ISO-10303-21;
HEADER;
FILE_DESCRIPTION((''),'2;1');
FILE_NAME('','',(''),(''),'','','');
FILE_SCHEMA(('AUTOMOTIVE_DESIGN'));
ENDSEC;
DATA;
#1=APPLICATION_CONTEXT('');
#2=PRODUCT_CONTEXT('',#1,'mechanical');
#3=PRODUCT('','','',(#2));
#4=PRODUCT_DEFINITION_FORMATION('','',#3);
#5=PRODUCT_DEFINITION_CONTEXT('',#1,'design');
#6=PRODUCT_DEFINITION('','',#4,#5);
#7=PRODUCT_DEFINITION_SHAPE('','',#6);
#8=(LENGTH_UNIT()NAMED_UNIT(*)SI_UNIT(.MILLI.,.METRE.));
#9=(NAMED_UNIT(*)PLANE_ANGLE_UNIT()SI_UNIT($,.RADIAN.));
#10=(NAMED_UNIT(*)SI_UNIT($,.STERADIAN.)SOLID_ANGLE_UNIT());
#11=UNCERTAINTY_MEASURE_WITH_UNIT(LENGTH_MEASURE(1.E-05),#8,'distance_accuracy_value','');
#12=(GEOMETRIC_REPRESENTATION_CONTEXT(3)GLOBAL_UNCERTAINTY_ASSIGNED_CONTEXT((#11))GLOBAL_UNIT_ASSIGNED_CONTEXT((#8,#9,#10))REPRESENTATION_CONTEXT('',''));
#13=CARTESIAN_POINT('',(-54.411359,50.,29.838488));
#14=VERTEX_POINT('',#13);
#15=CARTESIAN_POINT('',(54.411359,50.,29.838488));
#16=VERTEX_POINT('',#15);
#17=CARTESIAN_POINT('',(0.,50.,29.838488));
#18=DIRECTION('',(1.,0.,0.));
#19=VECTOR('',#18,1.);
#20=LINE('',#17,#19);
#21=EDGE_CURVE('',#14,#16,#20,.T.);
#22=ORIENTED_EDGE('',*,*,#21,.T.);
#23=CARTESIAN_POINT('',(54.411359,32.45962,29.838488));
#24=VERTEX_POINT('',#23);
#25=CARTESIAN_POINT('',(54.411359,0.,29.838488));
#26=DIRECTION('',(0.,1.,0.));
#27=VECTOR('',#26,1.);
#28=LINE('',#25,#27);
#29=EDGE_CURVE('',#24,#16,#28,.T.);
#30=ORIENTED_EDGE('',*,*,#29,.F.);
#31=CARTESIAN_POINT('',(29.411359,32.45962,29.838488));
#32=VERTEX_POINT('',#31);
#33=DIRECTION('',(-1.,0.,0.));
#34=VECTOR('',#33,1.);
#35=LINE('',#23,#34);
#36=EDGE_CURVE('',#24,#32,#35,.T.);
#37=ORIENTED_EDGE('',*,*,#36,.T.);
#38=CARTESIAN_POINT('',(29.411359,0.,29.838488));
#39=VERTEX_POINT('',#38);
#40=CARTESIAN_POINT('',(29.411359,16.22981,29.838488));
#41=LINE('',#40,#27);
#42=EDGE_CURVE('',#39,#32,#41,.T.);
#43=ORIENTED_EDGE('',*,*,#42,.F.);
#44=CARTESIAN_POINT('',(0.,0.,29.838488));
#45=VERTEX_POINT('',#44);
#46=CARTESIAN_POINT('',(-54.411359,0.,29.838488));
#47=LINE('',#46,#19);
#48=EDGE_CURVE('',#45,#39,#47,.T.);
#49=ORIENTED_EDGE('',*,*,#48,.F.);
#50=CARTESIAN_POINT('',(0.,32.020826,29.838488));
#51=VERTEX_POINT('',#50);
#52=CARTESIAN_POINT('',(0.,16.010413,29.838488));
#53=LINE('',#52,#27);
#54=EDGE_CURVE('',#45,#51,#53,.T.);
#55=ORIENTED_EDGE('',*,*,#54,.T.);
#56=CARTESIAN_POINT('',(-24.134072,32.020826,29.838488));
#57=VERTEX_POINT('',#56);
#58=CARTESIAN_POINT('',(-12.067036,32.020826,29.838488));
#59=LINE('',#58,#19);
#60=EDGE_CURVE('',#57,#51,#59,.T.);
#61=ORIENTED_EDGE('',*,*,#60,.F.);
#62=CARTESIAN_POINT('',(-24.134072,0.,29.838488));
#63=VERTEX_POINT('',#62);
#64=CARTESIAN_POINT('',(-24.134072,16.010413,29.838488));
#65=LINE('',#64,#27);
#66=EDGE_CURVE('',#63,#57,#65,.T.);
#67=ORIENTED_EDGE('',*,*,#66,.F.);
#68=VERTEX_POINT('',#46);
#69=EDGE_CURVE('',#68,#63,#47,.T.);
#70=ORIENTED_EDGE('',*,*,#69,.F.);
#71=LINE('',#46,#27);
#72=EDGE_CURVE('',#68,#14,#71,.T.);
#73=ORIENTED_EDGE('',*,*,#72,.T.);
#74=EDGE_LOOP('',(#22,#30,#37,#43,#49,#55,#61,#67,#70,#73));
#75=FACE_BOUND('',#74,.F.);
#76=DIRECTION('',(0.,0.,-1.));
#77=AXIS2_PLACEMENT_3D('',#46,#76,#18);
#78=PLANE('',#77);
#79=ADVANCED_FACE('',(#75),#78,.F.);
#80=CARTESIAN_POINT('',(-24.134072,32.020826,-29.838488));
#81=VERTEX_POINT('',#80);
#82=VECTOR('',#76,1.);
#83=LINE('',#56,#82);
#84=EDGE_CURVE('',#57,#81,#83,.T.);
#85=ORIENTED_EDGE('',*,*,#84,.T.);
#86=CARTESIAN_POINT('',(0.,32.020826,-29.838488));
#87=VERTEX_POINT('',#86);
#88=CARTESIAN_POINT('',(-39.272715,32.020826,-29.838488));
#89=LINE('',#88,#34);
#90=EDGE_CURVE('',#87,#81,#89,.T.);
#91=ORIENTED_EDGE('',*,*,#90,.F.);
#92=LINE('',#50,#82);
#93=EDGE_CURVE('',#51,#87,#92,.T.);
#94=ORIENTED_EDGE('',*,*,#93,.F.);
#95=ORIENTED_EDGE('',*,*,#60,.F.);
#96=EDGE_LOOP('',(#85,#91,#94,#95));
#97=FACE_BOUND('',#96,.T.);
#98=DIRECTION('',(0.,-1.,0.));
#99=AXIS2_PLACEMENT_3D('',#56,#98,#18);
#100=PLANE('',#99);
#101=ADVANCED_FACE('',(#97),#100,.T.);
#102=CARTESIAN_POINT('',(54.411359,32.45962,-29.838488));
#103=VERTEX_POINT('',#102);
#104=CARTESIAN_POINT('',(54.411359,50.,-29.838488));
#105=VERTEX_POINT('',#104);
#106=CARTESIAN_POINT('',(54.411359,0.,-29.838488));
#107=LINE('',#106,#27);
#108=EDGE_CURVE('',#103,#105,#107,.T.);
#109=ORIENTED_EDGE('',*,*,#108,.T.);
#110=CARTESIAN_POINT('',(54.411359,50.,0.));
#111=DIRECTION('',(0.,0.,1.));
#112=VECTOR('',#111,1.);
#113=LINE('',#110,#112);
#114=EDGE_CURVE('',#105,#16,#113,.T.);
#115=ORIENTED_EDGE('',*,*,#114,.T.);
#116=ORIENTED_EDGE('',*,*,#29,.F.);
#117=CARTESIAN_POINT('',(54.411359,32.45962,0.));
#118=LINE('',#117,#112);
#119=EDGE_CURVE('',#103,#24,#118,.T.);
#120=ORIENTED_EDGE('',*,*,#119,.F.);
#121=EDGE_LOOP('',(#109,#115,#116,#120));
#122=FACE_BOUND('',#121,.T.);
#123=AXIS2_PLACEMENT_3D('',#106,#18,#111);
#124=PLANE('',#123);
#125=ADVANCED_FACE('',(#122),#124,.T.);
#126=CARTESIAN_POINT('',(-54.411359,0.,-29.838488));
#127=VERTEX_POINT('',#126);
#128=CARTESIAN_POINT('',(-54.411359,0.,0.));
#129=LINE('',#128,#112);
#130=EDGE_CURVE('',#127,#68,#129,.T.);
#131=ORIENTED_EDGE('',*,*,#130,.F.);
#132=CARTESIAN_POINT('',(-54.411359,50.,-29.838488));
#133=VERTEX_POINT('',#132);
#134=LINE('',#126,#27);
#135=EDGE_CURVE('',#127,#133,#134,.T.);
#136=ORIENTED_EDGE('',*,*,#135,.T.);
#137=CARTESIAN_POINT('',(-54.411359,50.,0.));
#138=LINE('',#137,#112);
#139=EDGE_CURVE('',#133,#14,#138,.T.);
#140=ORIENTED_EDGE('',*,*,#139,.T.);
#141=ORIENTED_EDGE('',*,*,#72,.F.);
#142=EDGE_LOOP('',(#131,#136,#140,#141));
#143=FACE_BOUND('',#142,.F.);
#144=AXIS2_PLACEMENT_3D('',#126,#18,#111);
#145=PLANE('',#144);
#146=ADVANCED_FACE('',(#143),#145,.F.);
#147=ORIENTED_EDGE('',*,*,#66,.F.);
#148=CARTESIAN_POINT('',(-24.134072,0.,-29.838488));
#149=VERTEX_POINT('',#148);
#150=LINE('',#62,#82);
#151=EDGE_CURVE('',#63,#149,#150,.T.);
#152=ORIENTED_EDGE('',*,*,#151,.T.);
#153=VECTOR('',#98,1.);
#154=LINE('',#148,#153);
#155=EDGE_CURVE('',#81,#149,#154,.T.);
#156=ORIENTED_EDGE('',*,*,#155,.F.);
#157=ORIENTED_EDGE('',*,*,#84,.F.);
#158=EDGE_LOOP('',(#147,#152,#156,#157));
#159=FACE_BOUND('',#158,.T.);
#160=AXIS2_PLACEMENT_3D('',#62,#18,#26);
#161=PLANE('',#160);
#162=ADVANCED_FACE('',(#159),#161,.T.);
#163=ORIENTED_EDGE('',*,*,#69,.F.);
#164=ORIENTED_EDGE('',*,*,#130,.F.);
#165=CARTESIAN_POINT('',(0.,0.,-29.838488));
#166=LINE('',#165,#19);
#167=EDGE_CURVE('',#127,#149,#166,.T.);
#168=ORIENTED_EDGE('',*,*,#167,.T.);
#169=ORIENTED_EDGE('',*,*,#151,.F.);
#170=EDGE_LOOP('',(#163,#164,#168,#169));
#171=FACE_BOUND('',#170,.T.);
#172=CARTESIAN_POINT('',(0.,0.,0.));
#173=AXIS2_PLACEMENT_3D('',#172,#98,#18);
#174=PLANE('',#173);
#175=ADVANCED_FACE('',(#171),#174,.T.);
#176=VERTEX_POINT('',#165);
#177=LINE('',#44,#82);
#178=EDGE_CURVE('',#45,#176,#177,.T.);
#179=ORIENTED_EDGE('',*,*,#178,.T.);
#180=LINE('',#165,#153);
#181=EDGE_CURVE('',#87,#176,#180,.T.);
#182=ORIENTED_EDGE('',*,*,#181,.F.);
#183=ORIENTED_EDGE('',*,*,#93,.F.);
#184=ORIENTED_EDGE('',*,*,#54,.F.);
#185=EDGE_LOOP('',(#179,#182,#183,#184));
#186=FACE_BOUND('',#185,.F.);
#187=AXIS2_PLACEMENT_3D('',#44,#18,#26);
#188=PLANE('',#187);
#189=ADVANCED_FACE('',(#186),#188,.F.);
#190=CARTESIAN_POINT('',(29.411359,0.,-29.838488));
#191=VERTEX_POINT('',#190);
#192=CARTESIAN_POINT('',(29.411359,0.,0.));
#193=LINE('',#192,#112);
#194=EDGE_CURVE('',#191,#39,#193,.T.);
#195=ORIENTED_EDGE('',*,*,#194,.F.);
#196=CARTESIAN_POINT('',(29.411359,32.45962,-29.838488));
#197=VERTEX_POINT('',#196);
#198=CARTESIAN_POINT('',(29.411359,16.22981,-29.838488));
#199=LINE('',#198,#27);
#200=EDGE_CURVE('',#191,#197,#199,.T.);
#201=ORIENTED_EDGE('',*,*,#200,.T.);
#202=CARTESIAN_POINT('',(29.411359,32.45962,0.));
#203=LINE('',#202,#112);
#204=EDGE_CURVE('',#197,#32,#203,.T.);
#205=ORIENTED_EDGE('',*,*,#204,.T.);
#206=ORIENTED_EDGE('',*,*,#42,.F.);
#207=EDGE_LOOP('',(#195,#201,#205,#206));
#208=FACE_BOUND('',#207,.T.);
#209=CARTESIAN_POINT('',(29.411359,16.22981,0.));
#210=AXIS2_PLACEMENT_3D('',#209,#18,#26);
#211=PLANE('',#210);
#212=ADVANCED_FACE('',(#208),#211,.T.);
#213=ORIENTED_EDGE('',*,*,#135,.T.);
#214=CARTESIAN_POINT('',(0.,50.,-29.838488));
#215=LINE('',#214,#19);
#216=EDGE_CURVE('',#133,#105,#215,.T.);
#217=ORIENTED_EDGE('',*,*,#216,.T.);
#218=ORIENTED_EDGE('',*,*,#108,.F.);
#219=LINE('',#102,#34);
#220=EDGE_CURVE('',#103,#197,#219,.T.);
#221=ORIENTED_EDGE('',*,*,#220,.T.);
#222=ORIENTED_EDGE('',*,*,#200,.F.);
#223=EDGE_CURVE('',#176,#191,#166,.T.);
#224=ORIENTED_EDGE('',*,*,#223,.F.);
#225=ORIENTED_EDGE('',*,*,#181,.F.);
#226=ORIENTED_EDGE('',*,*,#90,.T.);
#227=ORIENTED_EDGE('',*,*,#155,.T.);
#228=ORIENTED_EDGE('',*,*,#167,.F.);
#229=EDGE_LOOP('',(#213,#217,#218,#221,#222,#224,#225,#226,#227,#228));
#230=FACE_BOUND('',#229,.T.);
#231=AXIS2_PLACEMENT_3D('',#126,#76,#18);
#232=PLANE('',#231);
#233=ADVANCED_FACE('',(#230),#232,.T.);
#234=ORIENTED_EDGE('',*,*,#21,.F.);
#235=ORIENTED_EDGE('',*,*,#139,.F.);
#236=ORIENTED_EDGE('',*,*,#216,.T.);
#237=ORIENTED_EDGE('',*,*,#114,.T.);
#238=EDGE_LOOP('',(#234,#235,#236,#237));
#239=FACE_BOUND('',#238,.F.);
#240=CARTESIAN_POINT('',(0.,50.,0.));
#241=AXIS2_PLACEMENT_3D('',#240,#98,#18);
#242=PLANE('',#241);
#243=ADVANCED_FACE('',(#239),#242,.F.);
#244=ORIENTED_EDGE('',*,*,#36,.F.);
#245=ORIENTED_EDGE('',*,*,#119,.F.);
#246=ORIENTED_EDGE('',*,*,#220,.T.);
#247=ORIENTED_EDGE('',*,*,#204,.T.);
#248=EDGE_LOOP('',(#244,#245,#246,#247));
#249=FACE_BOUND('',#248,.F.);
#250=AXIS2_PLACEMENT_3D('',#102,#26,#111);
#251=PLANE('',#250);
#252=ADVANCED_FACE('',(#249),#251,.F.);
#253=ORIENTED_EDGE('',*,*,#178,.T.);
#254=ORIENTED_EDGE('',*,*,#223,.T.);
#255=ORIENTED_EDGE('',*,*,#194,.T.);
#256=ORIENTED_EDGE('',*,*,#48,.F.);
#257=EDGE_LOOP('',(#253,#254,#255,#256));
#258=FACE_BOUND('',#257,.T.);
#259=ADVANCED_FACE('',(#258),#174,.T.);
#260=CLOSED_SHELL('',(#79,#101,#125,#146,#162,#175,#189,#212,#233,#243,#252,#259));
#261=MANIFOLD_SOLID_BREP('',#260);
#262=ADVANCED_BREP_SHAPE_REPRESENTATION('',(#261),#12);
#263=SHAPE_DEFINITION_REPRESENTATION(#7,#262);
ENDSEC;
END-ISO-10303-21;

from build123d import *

# Parameters (mm, degrees)
F0_W     = 108.822718
F0_H     = 59.676976
F1_DEPTH = 50
F2_W     = 32.45962
F2_H     = 59.676976
F3_DEPTH = 25
F4_W     = 24.134072
F4_H     = 32.020826
F5_DEPTH = 25
F6_DEPTH = 60


with BuildPart() as f1:
    # F0 (on Front) → F1 (new body)
    with BuildSketch(Plane.XZ):
        Rectangle(F0_W, F0_H)
    extrude(amount=-F1_DEPTH)

    # F2 (on face) → F3 (cut)
    with BuildSketch(Plane.YZ.offset(54.411359)):
        with Locations((16.22981, 0)):
            Rectangle(F2_W, F2_H)
    extrude(amount=-F3_DEPTH, mode=Mode.SUBTRACT)

    # F4 (on face) → F5 (cut)
    with BuildSketch(Plane.XY.offset(29.838488)):
        with Locations((-12.067036, 16.010413)):
            Rectangle(F4_W, F4_H)
    extrude(amount=F5_DEPTH, mode=Mode.SUBTRACT)

    # F4 (on face) → F6 (cut)
    with BuildSketch(Plane.XY.offset(29.838488)):
        with Locations((-12.067036, 16.010413)):
            Rectangle(F4_W, F4_H)
    extrude(amount=-F6_DEPTH, mode=Mode.SUBTRACT)


solid = f1.part
